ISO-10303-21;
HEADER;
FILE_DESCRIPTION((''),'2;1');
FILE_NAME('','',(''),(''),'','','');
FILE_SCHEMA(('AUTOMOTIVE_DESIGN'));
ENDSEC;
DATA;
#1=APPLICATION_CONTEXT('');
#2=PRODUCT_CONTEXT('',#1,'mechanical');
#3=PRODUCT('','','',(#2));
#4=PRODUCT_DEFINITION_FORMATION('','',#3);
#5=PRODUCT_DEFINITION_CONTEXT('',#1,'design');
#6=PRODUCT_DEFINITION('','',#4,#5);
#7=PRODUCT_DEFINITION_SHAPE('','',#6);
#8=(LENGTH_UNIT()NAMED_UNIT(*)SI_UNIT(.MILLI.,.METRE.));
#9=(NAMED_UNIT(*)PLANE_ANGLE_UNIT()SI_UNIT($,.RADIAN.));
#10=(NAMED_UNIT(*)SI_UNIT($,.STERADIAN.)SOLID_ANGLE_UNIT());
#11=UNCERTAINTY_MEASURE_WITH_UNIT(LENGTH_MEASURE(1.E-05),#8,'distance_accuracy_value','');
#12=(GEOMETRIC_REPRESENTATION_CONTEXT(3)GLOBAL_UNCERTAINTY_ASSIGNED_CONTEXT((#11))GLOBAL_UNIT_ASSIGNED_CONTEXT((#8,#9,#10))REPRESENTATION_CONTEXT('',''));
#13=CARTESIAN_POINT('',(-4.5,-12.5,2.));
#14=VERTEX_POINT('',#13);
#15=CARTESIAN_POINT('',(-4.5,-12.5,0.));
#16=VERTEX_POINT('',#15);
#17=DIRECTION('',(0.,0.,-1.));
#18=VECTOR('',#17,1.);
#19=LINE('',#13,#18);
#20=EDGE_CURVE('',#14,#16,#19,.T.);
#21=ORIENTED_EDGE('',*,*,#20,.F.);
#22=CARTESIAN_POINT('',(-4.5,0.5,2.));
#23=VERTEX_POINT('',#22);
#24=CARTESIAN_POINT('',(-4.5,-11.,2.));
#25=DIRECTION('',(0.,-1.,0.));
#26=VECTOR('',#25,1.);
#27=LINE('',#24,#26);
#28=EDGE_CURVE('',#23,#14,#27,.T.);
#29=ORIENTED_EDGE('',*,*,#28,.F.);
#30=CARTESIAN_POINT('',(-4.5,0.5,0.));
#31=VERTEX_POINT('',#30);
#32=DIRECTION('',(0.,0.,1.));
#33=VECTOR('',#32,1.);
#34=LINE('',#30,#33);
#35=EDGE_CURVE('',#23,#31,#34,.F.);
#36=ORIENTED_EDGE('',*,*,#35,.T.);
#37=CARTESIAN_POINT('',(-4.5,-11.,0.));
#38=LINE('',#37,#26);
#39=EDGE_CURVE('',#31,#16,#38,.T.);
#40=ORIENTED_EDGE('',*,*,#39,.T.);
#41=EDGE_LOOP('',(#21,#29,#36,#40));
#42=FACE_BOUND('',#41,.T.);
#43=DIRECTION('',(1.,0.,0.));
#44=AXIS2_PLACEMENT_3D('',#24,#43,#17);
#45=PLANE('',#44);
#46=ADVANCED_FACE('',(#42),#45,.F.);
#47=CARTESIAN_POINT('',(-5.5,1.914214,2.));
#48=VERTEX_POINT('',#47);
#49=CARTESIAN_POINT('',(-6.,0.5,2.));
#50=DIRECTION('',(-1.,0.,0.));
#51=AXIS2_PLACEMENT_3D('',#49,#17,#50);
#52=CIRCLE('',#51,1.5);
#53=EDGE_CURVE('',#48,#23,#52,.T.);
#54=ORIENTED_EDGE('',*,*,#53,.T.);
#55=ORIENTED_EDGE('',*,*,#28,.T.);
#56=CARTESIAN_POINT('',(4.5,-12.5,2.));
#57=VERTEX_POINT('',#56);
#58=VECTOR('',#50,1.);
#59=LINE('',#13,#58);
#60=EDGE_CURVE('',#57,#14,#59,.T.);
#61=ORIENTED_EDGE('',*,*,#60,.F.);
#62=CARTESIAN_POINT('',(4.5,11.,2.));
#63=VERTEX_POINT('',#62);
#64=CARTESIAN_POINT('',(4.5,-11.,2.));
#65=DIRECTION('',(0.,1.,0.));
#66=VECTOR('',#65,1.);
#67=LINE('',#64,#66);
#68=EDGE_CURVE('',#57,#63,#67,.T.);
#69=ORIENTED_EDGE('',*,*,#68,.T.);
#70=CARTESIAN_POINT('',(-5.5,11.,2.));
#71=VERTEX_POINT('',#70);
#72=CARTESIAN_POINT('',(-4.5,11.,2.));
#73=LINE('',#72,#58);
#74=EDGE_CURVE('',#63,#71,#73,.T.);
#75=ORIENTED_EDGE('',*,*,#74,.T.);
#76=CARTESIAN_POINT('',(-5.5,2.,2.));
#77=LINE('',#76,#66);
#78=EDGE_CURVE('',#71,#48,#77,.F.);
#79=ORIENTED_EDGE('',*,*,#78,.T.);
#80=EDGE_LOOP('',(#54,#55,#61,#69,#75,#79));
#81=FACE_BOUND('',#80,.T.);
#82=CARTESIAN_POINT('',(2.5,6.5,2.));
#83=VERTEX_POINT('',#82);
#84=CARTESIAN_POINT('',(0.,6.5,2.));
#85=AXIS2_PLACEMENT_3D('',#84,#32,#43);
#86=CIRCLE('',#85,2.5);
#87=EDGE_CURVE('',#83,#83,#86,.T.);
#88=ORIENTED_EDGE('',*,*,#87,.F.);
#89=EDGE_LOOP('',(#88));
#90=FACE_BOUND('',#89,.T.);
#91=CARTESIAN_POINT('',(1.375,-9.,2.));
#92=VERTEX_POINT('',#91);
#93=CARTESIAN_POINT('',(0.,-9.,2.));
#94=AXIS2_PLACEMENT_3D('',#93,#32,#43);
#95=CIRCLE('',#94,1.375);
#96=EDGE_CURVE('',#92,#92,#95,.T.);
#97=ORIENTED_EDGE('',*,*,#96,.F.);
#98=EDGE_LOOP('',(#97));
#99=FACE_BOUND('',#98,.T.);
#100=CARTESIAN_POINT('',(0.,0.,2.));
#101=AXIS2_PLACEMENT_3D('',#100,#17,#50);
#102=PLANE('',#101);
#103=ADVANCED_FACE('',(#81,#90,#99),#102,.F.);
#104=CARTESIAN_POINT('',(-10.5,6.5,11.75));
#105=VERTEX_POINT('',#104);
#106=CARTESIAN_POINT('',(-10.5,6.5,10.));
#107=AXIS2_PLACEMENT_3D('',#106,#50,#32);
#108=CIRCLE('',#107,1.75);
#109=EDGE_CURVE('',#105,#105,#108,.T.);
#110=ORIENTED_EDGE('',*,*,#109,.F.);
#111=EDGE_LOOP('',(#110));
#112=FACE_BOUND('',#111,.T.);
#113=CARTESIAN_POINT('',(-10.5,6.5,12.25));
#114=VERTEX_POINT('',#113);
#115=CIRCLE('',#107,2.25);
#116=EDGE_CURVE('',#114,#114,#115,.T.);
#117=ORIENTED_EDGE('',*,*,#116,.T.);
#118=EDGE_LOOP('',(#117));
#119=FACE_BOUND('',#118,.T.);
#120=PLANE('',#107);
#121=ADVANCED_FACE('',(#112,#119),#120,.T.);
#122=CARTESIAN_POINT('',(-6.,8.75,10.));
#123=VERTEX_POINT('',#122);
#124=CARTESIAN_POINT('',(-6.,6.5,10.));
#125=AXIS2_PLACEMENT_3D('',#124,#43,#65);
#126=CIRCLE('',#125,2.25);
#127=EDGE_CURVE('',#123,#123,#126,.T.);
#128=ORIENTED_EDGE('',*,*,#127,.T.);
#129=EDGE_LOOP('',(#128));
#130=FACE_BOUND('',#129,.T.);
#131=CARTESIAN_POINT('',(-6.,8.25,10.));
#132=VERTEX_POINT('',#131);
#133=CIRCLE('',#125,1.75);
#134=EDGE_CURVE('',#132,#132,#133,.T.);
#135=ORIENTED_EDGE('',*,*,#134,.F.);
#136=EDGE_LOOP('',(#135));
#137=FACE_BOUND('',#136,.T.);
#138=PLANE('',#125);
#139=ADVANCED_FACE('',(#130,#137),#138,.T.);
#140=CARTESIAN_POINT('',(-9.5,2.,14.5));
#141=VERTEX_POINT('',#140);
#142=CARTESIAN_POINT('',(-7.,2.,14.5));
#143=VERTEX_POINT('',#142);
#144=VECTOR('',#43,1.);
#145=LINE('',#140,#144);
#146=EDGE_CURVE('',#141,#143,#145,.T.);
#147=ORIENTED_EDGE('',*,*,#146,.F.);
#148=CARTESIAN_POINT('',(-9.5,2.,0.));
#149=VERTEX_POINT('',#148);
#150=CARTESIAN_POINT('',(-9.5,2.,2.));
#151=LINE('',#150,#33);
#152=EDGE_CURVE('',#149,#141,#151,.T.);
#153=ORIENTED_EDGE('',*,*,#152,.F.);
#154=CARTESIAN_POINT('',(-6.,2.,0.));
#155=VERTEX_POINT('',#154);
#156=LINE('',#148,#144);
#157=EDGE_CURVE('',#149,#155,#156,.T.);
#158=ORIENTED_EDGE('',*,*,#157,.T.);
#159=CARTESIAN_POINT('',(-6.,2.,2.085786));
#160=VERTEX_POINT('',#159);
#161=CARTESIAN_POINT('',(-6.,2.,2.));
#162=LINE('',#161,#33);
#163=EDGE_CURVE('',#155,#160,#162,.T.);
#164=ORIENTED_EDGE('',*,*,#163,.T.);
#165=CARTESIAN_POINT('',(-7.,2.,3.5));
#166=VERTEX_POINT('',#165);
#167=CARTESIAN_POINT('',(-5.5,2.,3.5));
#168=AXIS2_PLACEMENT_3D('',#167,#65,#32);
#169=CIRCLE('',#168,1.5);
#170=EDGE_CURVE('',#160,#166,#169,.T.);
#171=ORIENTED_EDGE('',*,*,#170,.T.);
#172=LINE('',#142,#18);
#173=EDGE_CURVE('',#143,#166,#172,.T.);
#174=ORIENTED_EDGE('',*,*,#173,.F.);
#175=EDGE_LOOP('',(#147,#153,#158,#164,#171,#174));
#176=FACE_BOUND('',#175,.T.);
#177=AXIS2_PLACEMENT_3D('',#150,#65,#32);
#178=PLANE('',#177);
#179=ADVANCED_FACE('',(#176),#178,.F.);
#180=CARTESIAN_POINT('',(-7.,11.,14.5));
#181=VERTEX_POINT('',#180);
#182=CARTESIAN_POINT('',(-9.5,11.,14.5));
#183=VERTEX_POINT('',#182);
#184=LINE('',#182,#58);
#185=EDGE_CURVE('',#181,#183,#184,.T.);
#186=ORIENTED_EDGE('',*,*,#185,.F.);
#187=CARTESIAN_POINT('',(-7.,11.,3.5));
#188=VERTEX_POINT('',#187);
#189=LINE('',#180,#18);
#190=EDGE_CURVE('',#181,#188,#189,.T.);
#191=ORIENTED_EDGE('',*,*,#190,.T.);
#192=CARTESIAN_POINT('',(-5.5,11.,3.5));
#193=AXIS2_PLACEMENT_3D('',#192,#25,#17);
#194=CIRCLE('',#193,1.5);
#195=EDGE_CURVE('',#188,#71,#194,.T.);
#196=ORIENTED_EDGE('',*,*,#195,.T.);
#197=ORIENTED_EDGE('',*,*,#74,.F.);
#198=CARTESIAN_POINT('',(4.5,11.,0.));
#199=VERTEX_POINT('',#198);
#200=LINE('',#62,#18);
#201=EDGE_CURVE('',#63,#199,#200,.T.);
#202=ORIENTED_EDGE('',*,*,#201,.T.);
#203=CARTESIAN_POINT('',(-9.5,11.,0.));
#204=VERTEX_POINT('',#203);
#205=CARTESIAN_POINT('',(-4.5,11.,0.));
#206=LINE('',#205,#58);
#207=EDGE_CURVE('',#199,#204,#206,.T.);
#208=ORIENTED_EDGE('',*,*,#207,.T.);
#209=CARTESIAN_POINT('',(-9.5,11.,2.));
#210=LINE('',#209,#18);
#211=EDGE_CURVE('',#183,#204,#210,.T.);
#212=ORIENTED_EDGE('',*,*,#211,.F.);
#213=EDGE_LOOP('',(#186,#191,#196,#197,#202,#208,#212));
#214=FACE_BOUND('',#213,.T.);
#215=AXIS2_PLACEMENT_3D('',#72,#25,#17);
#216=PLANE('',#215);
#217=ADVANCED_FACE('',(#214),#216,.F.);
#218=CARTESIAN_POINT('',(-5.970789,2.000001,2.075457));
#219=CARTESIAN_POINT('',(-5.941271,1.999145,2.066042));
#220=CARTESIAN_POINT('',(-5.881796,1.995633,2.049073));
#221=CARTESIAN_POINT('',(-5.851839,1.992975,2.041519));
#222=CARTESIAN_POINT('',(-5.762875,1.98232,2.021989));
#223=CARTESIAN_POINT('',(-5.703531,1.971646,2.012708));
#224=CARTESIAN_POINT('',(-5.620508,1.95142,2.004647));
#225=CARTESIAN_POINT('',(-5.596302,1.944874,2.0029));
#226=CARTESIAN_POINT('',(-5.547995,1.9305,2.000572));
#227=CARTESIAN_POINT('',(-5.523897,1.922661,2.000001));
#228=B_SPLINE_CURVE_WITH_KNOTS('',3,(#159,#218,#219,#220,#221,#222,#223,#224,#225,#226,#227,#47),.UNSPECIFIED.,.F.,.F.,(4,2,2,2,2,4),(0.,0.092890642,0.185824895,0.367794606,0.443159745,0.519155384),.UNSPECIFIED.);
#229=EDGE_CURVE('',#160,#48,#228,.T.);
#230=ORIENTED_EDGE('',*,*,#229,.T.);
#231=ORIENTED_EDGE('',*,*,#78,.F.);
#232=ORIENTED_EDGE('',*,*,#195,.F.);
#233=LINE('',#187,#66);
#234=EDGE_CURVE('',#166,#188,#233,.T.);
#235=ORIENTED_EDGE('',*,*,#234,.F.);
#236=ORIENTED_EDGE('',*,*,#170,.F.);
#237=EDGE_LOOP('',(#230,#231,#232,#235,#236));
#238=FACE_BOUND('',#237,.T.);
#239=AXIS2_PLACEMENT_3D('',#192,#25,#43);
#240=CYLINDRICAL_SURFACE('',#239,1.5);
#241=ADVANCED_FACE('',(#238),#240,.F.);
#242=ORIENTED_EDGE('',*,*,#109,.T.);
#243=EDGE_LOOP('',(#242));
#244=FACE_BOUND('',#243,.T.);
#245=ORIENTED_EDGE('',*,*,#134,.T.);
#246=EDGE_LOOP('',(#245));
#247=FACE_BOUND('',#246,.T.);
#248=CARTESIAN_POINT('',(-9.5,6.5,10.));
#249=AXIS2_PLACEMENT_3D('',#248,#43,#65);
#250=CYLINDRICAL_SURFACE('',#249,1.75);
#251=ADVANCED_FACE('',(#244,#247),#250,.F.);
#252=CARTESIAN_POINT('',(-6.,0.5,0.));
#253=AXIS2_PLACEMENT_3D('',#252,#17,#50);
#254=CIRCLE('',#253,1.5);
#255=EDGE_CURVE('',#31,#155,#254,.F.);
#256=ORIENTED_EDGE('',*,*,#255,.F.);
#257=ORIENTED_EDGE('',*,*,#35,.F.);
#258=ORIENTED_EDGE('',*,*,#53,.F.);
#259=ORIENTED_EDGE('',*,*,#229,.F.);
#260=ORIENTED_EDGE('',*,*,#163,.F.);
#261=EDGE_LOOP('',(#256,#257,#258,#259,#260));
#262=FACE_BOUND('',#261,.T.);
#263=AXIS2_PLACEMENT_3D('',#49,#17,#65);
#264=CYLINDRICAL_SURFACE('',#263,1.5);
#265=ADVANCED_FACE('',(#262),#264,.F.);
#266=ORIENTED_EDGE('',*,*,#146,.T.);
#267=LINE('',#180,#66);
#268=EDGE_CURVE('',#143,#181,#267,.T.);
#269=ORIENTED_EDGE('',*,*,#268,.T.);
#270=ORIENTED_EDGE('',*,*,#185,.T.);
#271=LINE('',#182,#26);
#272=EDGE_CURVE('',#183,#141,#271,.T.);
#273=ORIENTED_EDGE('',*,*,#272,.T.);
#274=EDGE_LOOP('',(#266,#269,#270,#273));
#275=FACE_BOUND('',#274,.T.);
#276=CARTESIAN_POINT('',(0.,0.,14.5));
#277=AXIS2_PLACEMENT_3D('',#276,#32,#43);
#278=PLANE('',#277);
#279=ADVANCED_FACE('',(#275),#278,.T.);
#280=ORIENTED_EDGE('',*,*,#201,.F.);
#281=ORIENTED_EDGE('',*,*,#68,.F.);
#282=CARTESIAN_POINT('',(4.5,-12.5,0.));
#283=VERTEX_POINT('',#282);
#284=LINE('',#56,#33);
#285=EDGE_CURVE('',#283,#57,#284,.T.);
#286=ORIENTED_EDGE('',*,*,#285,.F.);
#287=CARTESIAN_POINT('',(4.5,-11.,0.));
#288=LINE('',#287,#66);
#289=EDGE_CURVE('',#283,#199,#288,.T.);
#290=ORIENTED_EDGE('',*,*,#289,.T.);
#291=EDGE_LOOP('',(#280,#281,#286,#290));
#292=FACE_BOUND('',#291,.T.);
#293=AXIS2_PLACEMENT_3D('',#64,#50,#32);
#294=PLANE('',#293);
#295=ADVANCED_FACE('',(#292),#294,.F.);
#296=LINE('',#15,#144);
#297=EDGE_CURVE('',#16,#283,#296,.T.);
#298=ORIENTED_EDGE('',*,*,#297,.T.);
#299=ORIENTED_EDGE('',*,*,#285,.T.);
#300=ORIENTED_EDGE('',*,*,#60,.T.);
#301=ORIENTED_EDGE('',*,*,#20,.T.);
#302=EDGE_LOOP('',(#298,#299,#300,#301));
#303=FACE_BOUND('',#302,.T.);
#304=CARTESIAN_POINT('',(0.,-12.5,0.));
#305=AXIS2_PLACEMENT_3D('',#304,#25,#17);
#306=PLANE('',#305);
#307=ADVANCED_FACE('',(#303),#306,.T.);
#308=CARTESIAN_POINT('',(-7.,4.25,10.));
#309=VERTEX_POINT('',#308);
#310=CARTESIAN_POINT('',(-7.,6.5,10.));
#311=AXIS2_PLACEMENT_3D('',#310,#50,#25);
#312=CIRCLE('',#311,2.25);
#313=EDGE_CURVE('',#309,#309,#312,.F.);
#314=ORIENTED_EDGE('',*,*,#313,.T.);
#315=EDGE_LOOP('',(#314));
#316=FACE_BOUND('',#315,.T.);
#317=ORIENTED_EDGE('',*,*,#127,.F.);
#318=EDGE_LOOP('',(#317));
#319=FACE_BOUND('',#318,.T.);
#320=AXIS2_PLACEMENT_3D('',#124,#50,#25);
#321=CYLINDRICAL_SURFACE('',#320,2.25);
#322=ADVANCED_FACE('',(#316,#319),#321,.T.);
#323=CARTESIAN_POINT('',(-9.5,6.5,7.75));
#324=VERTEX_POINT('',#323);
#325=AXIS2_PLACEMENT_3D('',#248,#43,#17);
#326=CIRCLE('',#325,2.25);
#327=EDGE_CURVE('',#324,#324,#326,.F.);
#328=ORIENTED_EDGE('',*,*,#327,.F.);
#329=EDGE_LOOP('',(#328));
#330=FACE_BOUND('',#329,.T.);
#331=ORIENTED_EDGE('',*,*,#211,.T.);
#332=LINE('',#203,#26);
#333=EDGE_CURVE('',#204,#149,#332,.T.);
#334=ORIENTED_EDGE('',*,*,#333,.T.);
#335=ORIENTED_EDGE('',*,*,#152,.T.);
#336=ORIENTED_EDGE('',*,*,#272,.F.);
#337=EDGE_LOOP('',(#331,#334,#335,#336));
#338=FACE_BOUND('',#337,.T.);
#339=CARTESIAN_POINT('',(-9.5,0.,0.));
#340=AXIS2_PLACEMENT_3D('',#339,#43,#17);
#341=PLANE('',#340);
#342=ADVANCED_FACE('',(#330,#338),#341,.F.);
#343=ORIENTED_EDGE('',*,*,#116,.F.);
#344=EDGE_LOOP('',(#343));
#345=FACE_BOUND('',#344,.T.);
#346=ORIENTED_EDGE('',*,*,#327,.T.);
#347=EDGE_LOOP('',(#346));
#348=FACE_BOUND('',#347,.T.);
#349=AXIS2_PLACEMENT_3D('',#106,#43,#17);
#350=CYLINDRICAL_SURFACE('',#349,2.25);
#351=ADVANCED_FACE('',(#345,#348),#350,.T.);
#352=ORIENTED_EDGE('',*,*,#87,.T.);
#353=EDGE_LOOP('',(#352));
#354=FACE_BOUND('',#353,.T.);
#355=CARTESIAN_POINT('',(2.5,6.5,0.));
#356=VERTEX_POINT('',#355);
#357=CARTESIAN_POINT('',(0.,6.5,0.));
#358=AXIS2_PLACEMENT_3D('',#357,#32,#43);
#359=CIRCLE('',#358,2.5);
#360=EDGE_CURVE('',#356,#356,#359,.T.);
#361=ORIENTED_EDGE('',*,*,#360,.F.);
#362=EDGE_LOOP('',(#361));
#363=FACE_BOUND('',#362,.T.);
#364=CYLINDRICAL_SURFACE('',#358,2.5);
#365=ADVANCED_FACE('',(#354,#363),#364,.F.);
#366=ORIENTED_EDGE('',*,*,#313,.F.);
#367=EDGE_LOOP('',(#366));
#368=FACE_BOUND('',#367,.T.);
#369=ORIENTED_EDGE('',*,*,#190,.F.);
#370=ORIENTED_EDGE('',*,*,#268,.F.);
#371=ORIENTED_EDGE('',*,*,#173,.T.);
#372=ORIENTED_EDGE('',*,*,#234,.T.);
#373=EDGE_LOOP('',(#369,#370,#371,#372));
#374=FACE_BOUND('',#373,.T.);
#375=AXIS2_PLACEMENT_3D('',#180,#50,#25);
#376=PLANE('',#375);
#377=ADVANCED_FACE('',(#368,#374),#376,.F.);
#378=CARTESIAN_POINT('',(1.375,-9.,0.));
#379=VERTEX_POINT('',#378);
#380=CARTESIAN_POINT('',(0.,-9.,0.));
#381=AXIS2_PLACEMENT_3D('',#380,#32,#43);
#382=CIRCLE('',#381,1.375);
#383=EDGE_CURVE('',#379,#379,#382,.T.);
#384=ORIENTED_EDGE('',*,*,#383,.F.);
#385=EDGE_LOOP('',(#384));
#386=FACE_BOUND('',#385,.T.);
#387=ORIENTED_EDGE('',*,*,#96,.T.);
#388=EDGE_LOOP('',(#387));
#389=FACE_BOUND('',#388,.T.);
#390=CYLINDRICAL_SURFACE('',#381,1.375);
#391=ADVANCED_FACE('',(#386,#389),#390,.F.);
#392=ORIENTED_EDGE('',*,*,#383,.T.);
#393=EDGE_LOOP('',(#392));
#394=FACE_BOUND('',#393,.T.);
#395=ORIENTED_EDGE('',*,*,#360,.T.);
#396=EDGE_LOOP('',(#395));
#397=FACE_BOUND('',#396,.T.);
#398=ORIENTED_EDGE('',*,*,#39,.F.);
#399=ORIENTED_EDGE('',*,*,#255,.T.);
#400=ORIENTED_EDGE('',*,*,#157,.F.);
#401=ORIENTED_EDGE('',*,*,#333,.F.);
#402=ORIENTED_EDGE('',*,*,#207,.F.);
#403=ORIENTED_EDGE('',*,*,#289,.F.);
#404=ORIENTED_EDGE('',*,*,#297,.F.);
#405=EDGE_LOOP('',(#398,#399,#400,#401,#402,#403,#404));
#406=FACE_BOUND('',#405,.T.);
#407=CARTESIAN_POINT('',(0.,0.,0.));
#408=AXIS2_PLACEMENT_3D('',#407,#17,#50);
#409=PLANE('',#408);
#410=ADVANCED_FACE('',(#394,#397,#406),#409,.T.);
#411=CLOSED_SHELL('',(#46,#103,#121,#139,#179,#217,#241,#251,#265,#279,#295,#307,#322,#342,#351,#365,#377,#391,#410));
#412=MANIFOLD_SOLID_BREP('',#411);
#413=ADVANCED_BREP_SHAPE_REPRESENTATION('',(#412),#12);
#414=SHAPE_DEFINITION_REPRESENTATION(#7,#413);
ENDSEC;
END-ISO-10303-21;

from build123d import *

# Parameters (mm, degrees)
SKETCH1_W           = 9
SKETCH1_H           = 22
BOSS_EXTRUDE1_DEPTH = 2
SKETCH2_R           = 2.5
SKETCH2_R_2         = 1.375
CUT_EXTRUDE1_DEPTH  = 2
SKETCH3_W           = 2
SKETCH3_H           = 9
BOSS_EXTRUDE2_DEPTH = 5
SKETCH5_W           = 2.5
SKETCH5_H           = 9
BOSS_EXTRUDE4_DEPTH = 12.5
SKETCH6_R           = 1.75
CUT_EXTRUDE2_DEPTH  = 2.5
SKETCH7_R           = 2.25
BOSS_EXTRUDE5_DEPTH = 1
SKETCH8_R           = 1.75
CUT_EXTRUDE3_DEPTH  = 1
SKETCH9_R           = 2.25
BOSS_EXTRUDE6_DEPTH = 1
SKETCH10_R          = 1.75
CUT_EXTRUDE4_DEPTH  = 1
FILLET1_R           = 1.5
FILLET2_R           = 1.5
SKETCH11_W          = 9
SKETCH11_H          = 2
BOSS_EXTRUDE7_DEPTH = 1.5


with BuildPart() as part:
    # Sketch1 → Boss-Extrude1 (new body)
    with BuildSketch(Plane.XY):
        Rectangle(SKETCH1_W, SKETCH1_H)
    extrude(amount=BOSS_EXTRUDE1_DEPTH)

    # Sketch2 → Cut-Extrude1 (cut)
    with BuildSketch(Plane.XY.offset(2)):
        with Locations((0, 6.5)):
            Circle(SKETCH2_R)
        with Locations((0, -9)):
            Circle(SKETCH2_R_2)
    extrude(amount=-CUT_EXTRUDE1_DEPTH, mode=Mode.SUBTRACT)

    # Sketch3 → Boss-Extrude2 (add)
    with BuildSketch(Plane.ZY.offset(4.5)):
        with Locations((1, 6.5)):
            Rectangle(SKETCH3_W, SKETCH3_H)
    extrude(amount=BOSS_EXTRUDE2_DEPTH)

    # Sketch5 → Boss-Extrude4 (add)
    with BuildSketch(Plane.XY.offset(2)):
        with Locations((-8.25, 6.5)):
            Rectangle(SKETCH5_W, SKETCH5_H)
    extrude(amount=BOSS_EXTRUDE4_DEPTH)

    # Sketch6 → Cut-Extrude2 (cut)
    with BuildSketch(Plane(origin=(-7, 0, 0), x_dir=(0, 0, -1), z_dir=(1, 0, 0))):
        with Locations((-10, 6.5)):
            Circle(SKETCH6_R)
    extrude(amount=-CUT_EXTRUDE2_DEPTH, mode=Mode.SUBTRACT)

    # Sketch7 → Boss-Extrude5 (add)
    with BuildSketch(Plane(origin=(-7, 0, 0), x_dir=(0, 0, -1), z_dir=(1, 0, 0))):
        with Locations((-10, 6.5)):
            Circle(SKETCH7_R)
    extrude(amount=BOSS_EXTRUDE5_DEPTH)

    # Sketch8 → Cut-Extrude3 (cut)
    with BuildSketch(Plane(origin=(-6, 0, 0), x_dir=(0, 0, -1), z_dir=(1, 0, 0))):
        with Locations((-10, 6.5)):
            Circle(SKETCH8_R)
    extrude(amount=-CUT_EXTRUDE3_DEPTH, mode=Mode.SUBTRACT)

    # Sketch9 → Boss-Extrude6 (add)
    with BuildSketch(Plane.ZY.offset(9.5)):
        with Locations((10, 6.5)):
            Circle(SKETCH9_R)
    extrude(amount=BOSS_EXTRUDE6_DEPTH)

    # Sketch10 → Cut-Extrude4 (cut)
    with BuildSketch(Plane.ZY.offset(10.5)):
        with Locations((10, 6.5)):
            Circle(SKETCH10_R)
    extrude(amount=-CUT_EXTRUDE4_DEPTH, mode=Mode.SUBTRACT)

    # Fillet1
    fillet1_edges = [part.edges().sort_by_distance(p)[0] for p in [
        (-7, 6.5, 2),
    ]]
    fillet(fillet1_edges, radius=FILLET1_R)

    # Fillet2
    fillet2_edges = [part.edges().sort_by_distance(p)[0] for p in [
        (-4.5, 2, 1),
    ]]
    fillet(fillet2_edges, radius=FILLET2_R)

    # Sketch11 → Boss-Extrude7 (add)
    with BuildSketch(Plane.XZ.offset(11)):
        with Locations((0, 1)):
            Rectangle(SKETCH11_W, SKETCH11_H)
    extrude(amount=BOSS_EXTRUDE7_DEPTH)


solid = part.part
